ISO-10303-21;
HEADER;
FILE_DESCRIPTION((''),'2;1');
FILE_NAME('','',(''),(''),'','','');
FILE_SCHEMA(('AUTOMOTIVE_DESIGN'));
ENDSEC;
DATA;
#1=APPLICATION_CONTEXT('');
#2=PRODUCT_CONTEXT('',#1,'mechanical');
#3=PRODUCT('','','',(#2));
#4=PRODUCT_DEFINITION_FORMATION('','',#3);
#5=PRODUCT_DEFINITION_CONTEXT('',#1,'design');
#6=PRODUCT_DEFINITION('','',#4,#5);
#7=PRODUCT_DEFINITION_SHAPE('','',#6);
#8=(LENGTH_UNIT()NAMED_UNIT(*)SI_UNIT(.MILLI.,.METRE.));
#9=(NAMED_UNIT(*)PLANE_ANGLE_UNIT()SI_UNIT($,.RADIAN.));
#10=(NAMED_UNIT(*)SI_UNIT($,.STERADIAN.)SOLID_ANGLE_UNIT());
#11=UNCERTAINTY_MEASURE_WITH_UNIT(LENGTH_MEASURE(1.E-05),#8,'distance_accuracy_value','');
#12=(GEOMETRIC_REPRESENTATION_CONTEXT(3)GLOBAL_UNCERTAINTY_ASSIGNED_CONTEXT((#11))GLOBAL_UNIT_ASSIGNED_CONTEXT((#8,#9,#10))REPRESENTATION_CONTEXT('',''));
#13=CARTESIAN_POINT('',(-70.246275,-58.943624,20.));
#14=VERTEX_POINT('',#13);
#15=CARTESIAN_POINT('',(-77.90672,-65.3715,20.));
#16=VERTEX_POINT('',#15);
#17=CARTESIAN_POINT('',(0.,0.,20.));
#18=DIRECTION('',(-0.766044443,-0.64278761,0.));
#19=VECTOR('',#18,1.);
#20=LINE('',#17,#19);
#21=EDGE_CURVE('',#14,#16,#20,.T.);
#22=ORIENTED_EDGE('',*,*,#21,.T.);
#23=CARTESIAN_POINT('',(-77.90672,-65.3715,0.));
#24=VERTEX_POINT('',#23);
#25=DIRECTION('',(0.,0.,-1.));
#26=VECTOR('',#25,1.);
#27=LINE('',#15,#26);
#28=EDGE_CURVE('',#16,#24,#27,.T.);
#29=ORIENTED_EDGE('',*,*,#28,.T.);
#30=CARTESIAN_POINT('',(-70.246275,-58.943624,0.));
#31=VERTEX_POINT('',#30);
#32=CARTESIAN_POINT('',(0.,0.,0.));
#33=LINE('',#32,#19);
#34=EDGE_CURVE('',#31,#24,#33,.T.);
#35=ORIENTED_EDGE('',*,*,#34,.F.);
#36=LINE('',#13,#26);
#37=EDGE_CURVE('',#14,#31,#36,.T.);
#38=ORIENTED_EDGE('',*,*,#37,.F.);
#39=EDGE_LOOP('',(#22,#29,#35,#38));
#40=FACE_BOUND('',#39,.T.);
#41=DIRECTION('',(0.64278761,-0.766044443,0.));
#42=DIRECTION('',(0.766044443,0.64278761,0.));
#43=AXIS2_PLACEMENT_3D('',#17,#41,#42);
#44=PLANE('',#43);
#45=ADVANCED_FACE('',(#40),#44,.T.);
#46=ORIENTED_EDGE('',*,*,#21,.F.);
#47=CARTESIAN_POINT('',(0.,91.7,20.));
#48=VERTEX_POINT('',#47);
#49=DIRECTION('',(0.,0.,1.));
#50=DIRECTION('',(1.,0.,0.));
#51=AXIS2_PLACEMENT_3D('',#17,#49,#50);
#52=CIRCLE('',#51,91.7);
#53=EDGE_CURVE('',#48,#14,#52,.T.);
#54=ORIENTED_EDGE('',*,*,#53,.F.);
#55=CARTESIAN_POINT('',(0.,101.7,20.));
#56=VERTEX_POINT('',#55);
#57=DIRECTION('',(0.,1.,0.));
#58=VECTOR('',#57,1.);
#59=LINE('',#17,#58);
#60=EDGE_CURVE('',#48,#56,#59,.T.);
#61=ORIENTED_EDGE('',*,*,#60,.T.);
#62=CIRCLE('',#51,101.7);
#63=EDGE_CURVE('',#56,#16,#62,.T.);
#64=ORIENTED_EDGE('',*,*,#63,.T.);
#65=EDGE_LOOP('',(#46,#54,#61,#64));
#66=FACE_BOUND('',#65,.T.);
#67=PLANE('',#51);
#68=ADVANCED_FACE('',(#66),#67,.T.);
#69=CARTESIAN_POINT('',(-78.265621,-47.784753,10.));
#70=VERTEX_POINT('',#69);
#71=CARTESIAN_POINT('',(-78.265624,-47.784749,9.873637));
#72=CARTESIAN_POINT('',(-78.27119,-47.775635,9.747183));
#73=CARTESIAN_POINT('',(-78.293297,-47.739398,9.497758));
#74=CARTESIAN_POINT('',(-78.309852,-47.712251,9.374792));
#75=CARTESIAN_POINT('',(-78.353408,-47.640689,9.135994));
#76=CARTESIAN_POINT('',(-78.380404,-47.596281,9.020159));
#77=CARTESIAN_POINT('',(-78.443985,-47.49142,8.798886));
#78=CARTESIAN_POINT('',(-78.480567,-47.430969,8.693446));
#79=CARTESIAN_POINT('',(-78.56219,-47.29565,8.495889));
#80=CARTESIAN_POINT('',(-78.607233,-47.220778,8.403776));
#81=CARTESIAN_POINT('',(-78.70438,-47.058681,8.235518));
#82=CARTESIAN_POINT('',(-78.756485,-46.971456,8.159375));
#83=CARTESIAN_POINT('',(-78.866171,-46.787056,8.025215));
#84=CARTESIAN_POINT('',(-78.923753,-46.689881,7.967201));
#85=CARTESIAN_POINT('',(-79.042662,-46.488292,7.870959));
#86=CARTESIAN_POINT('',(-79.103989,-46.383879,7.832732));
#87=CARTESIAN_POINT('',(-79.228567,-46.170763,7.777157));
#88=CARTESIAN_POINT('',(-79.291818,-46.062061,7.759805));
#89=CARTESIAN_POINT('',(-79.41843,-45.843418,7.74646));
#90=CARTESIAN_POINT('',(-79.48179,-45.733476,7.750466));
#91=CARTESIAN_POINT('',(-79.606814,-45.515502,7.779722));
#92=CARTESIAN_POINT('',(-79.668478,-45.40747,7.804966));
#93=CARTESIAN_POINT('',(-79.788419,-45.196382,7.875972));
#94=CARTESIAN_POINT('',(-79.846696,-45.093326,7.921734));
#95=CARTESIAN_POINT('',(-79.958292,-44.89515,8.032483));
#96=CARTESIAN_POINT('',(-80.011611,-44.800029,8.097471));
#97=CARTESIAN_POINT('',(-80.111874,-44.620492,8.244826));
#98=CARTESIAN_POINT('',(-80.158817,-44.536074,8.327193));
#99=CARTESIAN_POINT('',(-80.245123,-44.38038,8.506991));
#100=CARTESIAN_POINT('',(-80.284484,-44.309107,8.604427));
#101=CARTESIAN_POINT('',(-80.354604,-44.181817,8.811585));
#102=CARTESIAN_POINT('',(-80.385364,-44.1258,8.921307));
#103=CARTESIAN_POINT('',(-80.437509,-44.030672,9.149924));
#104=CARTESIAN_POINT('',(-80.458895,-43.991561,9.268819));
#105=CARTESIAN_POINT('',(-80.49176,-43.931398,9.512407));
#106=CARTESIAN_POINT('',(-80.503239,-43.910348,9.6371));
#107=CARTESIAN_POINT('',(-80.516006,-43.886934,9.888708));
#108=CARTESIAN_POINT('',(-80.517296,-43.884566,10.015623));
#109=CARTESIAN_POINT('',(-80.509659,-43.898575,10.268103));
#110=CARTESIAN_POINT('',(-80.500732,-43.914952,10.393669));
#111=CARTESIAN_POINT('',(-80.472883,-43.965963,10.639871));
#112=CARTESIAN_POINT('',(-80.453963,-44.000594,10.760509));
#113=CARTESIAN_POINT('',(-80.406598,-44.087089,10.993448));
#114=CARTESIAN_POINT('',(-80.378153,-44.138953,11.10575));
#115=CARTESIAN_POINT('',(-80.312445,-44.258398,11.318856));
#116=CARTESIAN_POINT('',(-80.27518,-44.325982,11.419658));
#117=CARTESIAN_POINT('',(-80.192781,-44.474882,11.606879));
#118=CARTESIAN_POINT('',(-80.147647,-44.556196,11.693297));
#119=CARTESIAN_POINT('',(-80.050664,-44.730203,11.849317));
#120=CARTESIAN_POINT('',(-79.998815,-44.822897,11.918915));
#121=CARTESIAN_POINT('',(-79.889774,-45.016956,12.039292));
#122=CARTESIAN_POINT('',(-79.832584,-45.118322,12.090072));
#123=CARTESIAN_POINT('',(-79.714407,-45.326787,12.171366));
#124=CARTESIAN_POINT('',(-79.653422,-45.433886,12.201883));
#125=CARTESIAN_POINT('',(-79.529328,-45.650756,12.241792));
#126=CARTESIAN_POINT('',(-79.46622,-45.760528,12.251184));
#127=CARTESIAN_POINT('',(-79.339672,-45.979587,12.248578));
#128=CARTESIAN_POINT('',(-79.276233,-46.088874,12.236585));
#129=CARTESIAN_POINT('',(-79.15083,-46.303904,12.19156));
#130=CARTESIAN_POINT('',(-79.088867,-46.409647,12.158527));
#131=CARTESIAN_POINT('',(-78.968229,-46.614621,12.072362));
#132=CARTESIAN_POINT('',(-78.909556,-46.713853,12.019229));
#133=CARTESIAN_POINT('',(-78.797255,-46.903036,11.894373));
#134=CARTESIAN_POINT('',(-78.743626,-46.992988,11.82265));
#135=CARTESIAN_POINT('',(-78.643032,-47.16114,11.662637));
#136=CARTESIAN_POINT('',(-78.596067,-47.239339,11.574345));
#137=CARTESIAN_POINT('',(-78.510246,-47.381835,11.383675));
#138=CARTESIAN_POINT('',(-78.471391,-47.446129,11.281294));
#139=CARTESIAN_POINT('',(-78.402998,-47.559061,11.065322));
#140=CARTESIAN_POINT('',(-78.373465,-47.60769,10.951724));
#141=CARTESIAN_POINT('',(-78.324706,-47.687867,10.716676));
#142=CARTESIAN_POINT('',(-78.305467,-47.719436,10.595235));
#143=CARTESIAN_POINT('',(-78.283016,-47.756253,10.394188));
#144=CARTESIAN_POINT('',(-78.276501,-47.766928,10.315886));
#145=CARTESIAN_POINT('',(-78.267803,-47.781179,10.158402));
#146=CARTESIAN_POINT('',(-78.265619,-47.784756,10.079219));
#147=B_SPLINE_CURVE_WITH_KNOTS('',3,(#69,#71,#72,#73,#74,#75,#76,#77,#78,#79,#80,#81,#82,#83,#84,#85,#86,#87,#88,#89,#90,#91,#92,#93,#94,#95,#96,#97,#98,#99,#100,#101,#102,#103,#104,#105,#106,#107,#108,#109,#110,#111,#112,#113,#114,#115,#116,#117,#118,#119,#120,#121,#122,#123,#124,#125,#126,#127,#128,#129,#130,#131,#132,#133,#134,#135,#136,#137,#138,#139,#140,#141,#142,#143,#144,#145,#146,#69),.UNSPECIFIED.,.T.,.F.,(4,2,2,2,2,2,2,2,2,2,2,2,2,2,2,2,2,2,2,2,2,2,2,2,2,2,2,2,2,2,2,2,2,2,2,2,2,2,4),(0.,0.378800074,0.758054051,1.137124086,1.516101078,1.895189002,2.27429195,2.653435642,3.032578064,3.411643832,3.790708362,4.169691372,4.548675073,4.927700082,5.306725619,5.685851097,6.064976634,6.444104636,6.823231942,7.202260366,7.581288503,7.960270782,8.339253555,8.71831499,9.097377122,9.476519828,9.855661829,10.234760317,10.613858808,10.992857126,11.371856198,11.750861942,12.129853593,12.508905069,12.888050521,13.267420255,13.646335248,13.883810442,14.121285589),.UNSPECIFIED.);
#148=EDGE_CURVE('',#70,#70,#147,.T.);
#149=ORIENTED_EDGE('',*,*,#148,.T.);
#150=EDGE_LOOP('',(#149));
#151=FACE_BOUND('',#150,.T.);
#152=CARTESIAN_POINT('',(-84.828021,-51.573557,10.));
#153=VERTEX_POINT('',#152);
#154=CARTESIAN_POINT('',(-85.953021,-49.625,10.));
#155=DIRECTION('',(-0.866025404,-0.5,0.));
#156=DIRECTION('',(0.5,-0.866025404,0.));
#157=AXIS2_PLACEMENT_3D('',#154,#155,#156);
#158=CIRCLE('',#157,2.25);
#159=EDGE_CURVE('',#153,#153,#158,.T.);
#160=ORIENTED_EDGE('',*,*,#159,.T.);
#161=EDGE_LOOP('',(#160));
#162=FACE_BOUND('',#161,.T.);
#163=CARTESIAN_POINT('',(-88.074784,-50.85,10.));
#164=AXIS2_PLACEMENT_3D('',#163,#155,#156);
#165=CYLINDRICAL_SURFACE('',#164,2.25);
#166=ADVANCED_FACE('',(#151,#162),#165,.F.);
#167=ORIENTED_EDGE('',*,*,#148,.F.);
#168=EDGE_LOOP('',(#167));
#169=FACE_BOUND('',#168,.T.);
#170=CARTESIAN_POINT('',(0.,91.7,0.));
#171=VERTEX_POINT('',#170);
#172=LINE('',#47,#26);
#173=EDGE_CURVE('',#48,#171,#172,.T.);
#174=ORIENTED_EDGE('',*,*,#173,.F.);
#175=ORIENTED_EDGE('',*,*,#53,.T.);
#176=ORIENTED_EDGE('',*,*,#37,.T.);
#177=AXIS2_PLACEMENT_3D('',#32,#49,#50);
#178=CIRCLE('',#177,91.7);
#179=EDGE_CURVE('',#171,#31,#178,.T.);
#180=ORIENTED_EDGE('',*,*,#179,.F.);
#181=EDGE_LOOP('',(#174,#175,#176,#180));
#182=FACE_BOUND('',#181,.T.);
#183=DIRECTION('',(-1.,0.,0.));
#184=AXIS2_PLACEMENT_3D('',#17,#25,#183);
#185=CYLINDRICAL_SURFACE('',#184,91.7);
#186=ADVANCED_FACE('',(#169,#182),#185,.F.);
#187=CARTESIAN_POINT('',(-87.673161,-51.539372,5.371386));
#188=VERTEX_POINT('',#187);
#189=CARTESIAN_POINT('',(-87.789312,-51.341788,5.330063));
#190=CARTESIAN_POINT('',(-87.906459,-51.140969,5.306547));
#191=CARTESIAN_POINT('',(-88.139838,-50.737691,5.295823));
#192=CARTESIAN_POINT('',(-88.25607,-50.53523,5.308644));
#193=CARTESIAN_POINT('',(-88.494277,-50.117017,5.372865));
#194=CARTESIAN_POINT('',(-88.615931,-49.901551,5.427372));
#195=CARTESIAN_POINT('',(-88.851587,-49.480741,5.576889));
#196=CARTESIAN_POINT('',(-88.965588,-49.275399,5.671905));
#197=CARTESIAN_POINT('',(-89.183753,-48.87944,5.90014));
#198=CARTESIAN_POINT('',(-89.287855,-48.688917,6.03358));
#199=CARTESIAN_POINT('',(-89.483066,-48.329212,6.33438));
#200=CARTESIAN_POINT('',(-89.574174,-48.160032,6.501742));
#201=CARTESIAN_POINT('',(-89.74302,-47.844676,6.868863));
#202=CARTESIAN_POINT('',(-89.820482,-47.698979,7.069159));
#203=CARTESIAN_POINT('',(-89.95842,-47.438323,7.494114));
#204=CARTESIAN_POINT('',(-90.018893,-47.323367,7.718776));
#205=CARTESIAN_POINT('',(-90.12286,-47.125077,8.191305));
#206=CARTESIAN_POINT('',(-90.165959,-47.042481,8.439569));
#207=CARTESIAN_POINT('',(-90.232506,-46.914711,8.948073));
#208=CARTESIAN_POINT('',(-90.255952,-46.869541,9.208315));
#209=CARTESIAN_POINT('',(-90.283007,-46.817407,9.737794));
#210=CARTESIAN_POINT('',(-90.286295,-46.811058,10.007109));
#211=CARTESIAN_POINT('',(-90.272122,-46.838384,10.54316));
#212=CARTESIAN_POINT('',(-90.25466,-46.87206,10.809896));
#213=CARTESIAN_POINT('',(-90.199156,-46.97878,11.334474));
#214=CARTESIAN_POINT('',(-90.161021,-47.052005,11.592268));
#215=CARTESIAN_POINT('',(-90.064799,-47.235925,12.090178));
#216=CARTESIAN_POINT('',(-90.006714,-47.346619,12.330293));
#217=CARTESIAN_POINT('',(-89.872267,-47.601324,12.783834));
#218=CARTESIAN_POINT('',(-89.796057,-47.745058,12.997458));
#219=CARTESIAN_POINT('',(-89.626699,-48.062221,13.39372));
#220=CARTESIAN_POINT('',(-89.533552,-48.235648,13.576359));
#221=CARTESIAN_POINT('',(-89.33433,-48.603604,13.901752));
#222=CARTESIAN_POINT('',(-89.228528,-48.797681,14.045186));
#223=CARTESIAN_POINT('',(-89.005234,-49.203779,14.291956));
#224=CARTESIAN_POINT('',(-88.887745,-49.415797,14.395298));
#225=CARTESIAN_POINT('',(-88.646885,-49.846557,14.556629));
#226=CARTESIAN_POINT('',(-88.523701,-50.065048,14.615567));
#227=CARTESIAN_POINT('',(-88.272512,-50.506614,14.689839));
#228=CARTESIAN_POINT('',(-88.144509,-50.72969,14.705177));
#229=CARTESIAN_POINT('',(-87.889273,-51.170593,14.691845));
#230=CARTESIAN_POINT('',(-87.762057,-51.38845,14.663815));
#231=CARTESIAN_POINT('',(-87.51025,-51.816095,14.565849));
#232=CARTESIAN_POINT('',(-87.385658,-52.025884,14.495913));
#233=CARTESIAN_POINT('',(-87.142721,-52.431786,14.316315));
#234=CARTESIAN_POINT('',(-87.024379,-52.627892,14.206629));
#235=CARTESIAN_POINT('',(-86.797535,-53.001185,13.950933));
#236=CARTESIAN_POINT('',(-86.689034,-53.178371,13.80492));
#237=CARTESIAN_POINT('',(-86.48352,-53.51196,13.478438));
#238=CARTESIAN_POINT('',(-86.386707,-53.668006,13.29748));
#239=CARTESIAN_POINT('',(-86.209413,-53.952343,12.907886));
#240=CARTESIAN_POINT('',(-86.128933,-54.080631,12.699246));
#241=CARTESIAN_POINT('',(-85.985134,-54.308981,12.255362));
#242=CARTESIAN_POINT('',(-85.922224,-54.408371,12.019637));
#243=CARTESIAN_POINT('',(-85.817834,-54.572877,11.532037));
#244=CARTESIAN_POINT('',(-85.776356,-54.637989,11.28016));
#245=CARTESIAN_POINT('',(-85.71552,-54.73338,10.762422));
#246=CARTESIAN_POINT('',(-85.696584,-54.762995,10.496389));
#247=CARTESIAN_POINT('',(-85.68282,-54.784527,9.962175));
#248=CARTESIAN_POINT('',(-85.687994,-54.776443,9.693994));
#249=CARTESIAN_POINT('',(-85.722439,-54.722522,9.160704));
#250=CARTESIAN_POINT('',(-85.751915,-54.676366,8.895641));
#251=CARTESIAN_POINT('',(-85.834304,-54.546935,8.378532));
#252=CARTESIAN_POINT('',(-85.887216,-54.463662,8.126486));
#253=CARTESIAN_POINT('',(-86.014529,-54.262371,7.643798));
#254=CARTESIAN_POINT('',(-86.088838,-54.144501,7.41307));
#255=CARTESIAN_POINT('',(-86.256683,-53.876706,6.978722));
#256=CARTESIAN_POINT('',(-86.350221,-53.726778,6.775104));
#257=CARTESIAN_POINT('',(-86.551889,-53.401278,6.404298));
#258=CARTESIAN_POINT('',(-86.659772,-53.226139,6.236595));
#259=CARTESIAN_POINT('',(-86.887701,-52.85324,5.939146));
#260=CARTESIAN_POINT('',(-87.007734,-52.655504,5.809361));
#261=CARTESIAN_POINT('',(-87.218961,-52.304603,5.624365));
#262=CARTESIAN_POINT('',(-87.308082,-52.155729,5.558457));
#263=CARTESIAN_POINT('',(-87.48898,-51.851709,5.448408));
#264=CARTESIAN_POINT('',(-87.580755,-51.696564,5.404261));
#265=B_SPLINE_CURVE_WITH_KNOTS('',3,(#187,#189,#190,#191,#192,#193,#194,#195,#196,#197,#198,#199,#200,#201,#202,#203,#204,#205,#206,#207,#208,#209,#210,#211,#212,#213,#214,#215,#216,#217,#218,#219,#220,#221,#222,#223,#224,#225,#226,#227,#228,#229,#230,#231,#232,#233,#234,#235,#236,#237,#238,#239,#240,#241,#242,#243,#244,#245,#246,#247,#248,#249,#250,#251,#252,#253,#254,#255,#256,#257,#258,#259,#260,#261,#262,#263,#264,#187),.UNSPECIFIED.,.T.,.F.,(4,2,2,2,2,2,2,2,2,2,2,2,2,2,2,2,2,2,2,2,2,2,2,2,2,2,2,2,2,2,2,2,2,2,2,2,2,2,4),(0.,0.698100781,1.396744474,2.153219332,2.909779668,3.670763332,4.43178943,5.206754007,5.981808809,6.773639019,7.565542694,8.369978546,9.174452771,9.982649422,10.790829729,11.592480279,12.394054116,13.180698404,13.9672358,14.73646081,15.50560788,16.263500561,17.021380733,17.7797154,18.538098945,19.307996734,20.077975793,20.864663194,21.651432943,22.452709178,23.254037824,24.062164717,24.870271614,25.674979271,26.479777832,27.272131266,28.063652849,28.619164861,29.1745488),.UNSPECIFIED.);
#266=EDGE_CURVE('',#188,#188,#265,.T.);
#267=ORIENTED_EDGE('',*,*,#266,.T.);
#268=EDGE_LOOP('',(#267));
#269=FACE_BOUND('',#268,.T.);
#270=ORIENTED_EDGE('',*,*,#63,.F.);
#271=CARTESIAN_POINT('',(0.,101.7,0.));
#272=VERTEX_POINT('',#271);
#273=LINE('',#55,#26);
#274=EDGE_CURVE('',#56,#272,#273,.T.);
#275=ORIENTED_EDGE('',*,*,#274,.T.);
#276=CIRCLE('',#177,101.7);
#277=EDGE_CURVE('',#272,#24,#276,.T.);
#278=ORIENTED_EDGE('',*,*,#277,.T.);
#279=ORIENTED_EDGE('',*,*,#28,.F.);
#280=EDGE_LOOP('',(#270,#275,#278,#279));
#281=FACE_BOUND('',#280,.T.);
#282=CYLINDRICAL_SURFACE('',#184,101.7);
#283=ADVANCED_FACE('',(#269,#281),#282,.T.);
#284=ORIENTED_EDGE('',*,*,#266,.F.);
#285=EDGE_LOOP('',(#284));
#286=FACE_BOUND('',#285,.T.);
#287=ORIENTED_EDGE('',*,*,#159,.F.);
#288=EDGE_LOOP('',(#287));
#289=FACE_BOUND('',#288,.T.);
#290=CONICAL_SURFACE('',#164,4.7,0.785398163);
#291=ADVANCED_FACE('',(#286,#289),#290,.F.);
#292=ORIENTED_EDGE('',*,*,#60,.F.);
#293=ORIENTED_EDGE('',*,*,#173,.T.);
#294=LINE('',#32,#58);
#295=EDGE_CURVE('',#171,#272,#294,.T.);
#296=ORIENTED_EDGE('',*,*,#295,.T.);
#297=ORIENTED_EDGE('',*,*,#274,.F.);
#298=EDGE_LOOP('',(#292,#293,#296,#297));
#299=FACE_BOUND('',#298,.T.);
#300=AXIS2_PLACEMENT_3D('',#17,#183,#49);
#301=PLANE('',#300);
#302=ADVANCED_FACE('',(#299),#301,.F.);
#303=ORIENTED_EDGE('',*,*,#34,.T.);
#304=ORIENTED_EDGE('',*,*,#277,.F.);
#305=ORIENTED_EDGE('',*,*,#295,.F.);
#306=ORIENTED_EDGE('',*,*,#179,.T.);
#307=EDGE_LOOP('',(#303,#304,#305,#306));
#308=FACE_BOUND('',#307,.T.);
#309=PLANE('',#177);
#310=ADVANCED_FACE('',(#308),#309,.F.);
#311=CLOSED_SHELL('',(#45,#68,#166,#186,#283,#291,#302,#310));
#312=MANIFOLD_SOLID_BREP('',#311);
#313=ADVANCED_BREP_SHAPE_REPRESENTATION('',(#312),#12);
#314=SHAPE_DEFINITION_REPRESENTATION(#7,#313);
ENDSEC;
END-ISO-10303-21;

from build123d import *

# Parameters (mm, degrees)
ESTRUSIONE_ESTRUSIONE1_DEPTH           = 20
FORO_SVASATO_PER_VITE_M4_1_D           = 4.5
FORO_SVASATO_PER_VITE_M4_1_DEPTH       = 30
FORO_SVASATO_PER_VITE_M4_1_CSINK_D     = 9.4
FORO_SVASATO_PER_VITE_M4_1_CSINK_ANGLE = 90
FORO_SVASATO_PER_VITE_M4_1_TIP         = 1.351936393


with BuildPart() as part:
    # Schizzo1 → Estrusione-Estrusione1 (new body)
    with BuildSketch(Plane.XY):
        with BuildLine():
            Line((-88.074783565, -50.85), (-79.414529527, -45.85))
            ThreePointArc((-79.414529527, -45.85), (-79.414529527, 45.85), (0, 91.7))
            Line((0, 91.7), (0, 101.7))
            ThreePointArc((0, 101.7), (-88.074783565, 50.85), (-88.074783565, -50.85))
        make_face()
        with BuildLine():
            Line((-77.906719865, -65.371499905), (-70.246275434, -58.943623808))
            ThreePointArc((-70.246275434, -58.943623808), (-75.116242461, -52.596959213), (-79.414529527, -45.85))
            Line((-79.414529527, -45.85), (-88.074783565, -50.85))
            ThreePointArc((-88.074783565, -50.85), (-83.307762904, -58.332723577), (-77.906719865, -65.371499905))
        make_face()
    extrude(amount=ESTRUSIONE_ESTRUSIONE1_DEPTH)

    # Foro svasato per Vite M4-1
    with Locations(Plane(origin=(-88.074783565, -50.85, 10), x_dir=(0.5, -0.866025403784, 0), z_dir=(-0.866025403784, -0.5, 0))):
        with Locations((0, 0)):
            CounterSinkHole(FORO_SVASATO_PER_VITE_M4_1_D / 2, FORO_SVASATO_PER_VITE_M4_1_CSINK_D / 2, depth=FORO_SVASATO_PER_VITE_M4_1_DEPTH, counter_sink_angle=FORO_SVASATO_PER_VITE_M4_1_CSINK_ANGLE)
            with Locations((0, 0, -(FORO_SVASATO_PER_VITE_M4_1_DEPTH + FORO_SVASATO_PER_VITE_M4_1_TIP / 2))):  # 118° drill point
                Cone(0, FORO_SVASATO_PER_VITE_M4_1_D / 2, FORO_SVASATO_PER_VITE_M4_1_TIP, mode=Mode.SUBTRACT)


solid = part.part
